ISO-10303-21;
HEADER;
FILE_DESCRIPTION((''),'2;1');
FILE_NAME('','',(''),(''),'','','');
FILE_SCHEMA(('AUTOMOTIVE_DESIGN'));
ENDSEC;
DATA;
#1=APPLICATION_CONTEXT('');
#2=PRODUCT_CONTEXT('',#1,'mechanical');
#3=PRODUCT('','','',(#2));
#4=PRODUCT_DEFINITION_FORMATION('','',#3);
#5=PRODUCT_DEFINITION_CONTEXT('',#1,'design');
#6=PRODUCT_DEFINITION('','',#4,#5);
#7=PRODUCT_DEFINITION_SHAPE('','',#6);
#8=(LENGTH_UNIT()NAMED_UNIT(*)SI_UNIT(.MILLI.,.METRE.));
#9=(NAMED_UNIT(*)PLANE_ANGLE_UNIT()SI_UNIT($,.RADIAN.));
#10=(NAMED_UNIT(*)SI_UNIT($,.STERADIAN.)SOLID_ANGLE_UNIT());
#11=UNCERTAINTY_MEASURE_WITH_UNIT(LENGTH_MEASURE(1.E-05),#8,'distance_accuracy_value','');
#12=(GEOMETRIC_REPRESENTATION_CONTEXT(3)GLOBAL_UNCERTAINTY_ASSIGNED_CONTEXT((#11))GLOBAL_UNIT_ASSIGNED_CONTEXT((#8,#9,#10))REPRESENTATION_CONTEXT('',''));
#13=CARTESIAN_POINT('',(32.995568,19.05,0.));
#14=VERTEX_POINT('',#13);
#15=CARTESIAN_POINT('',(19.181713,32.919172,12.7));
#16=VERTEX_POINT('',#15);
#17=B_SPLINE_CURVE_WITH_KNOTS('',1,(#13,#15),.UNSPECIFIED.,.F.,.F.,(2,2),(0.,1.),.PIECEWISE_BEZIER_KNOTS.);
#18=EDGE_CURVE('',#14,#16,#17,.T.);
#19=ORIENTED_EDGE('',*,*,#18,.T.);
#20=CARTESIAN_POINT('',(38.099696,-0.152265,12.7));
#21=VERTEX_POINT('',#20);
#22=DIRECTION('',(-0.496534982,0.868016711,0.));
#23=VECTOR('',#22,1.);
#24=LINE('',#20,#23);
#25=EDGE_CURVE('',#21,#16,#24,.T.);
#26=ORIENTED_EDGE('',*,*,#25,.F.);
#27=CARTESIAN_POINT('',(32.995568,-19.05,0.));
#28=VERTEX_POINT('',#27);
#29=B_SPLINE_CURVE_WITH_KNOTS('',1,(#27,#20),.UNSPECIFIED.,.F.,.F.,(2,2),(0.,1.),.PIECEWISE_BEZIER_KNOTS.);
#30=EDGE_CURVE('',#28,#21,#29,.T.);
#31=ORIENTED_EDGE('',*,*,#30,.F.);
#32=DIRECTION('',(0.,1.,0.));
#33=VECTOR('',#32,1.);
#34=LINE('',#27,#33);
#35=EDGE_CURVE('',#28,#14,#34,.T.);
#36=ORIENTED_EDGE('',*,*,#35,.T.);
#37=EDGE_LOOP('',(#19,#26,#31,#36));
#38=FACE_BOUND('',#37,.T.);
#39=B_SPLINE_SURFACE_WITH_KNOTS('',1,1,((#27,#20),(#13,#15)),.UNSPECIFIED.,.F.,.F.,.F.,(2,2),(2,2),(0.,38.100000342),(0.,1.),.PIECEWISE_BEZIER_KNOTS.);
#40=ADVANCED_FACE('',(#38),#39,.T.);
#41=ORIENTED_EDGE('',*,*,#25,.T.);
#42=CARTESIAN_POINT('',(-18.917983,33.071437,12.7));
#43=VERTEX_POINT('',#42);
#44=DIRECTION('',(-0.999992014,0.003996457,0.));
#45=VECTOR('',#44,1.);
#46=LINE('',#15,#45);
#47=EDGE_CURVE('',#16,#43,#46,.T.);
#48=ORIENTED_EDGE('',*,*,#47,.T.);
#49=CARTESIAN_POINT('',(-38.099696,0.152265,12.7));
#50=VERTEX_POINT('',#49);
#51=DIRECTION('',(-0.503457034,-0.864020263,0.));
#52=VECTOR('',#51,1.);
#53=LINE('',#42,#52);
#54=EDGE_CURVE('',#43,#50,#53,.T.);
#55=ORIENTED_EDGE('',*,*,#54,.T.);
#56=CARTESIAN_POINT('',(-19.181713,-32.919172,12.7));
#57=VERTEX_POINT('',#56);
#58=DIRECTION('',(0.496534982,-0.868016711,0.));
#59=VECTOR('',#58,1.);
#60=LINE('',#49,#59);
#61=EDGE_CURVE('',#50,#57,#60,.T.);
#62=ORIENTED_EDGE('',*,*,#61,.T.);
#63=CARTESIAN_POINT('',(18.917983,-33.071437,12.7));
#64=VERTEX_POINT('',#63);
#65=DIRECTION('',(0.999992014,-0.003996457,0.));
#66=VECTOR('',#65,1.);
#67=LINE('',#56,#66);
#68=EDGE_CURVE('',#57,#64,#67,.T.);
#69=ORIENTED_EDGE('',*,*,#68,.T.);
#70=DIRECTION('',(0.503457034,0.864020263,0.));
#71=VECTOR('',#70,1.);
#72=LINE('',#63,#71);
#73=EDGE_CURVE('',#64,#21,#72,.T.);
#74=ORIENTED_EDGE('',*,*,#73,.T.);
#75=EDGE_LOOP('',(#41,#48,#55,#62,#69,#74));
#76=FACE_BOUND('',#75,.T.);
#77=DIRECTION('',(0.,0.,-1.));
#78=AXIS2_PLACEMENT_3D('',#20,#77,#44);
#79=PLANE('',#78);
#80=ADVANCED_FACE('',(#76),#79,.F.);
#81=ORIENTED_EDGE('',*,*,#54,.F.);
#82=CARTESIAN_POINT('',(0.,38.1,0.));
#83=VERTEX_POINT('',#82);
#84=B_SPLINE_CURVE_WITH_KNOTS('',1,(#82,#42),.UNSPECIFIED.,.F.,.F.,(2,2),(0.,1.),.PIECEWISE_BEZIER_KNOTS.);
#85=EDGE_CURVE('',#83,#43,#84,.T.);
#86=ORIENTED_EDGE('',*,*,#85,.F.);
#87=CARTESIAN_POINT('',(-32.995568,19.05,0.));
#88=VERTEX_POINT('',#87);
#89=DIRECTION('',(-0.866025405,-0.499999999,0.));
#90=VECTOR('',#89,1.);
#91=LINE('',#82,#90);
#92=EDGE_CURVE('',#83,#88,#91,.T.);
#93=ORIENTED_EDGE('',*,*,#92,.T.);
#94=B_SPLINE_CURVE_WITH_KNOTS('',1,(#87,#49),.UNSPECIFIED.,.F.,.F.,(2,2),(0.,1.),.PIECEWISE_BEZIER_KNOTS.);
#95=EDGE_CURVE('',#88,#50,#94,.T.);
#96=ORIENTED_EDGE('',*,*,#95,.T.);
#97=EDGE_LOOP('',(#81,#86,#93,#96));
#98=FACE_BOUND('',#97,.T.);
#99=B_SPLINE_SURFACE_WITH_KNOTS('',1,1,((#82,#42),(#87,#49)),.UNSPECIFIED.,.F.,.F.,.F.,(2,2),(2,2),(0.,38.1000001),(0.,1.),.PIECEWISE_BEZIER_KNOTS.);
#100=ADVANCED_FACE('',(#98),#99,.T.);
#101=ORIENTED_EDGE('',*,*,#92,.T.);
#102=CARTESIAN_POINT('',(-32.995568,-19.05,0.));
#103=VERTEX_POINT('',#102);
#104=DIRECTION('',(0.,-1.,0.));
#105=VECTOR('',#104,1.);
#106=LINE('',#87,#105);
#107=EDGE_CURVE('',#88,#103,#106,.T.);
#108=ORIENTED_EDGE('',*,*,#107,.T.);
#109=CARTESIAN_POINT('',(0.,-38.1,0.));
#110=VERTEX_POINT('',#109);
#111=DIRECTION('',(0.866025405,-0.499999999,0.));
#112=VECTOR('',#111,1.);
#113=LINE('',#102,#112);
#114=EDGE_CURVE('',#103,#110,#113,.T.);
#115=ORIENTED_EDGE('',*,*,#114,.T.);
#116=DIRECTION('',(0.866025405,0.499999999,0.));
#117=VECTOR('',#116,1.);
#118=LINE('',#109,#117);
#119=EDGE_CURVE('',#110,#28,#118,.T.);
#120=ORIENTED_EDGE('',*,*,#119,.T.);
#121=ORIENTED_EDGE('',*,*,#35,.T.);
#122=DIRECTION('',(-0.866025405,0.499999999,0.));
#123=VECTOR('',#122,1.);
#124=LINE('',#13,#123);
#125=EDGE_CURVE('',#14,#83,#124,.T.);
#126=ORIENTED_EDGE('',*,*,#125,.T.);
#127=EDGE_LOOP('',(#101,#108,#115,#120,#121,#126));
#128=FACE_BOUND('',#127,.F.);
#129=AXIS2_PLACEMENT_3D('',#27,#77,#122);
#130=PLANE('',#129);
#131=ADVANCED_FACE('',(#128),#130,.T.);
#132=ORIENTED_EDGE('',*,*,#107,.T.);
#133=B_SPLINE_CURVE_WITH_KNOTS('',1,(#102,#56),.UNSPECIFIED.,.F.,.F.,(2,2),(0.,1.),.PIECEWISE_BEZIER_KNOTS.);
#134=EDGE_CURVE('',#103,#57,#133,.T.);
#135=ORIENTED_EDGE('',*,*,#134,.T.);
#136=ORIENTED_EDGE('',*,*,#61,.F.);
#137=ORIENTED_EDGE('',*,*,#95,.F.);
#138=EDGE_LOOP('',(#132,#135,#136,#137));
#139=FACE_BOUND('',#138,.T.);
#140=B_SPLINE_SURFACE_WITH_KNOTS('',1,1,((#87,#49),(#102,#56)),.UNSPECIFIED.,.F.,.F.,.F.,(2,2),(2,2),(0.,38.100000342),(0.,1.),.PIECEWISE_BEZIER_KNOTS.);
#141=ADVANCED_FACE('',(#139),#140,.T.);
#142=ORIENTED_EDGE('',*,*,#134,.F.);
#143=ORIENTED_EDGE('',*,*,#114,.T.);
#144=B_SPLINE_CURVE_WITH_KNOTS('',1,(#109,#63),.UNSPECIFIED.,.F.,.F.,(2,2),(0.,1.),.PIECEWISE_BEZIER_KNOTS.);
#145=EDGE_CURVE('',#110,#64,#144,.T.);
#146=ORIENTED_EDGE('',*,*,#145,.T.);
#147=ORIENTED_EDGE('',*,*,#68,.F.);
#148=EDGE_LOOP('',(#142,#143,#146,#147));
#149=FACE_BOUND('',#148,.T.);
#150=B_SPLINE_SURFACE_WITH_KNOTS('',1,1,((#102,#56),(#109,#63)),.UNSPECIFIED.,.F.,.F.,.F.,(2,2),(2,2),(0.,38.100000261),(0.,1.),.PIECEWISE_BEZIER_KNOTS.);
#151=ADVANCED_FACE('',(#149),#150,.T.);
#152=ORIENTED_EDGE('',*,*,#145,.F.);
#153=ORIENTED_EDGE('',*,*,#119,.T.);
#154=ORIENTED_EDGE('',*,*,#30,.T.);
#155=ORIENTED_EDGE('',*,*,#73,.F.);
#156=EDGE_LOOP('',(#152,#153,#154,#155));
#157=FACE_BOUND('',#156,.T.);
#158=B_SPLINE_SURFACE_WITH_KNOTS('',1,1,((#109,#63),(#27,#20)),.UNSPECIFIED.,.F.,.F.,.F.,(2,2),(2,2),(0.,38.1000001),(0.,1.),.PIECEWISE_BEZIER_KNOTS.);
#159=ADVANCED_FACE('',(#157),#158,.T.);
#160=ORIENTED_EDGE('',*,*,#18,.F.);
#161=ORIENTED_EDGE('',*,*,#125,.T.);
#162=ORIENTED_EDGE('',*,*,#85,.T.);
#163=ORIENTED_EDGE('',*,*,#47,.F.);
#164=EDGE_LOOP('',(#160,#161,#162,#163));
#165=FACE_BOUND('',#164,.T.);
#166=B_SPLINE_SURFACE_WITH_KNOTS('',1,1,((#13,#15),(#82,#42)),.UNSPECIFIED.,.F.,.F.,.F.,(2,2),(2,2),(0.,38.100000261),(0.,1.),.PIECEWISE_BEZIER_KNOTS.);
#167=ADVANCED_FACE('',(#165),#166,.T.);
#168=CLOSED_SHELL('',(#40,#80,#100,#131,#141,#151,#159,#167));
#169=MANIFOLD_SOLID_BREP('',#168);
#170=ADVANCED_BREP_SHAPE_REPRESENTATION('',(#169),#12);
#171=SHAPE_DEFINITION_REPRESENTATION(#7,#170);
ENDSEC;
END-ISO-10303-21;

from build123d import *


with BuildPart() as f3:
    # F0 (on Top) → F3 section 0
    with BuildSketch(Plane.XY):
        Polygon((32.995568, -19.05), (32.995568, 19.05), (0, 38.1), (-32.995568, 19.05), (-32.995568, -19.05), (0, -38.1), align=None)
    # F2 (on offset) → F3 section 1
    with BuildSketch(Plane.XY.offset(12.7)):
        Polygon((38.099696, -0.152265), (19.181713, 32.919172), (-18.917983, 33.071437), (-38.099696, 0.152265), (-19.181713, -32.919172), (18.917983, -33.071437), align=None)
    loft()


solid = f3.part
